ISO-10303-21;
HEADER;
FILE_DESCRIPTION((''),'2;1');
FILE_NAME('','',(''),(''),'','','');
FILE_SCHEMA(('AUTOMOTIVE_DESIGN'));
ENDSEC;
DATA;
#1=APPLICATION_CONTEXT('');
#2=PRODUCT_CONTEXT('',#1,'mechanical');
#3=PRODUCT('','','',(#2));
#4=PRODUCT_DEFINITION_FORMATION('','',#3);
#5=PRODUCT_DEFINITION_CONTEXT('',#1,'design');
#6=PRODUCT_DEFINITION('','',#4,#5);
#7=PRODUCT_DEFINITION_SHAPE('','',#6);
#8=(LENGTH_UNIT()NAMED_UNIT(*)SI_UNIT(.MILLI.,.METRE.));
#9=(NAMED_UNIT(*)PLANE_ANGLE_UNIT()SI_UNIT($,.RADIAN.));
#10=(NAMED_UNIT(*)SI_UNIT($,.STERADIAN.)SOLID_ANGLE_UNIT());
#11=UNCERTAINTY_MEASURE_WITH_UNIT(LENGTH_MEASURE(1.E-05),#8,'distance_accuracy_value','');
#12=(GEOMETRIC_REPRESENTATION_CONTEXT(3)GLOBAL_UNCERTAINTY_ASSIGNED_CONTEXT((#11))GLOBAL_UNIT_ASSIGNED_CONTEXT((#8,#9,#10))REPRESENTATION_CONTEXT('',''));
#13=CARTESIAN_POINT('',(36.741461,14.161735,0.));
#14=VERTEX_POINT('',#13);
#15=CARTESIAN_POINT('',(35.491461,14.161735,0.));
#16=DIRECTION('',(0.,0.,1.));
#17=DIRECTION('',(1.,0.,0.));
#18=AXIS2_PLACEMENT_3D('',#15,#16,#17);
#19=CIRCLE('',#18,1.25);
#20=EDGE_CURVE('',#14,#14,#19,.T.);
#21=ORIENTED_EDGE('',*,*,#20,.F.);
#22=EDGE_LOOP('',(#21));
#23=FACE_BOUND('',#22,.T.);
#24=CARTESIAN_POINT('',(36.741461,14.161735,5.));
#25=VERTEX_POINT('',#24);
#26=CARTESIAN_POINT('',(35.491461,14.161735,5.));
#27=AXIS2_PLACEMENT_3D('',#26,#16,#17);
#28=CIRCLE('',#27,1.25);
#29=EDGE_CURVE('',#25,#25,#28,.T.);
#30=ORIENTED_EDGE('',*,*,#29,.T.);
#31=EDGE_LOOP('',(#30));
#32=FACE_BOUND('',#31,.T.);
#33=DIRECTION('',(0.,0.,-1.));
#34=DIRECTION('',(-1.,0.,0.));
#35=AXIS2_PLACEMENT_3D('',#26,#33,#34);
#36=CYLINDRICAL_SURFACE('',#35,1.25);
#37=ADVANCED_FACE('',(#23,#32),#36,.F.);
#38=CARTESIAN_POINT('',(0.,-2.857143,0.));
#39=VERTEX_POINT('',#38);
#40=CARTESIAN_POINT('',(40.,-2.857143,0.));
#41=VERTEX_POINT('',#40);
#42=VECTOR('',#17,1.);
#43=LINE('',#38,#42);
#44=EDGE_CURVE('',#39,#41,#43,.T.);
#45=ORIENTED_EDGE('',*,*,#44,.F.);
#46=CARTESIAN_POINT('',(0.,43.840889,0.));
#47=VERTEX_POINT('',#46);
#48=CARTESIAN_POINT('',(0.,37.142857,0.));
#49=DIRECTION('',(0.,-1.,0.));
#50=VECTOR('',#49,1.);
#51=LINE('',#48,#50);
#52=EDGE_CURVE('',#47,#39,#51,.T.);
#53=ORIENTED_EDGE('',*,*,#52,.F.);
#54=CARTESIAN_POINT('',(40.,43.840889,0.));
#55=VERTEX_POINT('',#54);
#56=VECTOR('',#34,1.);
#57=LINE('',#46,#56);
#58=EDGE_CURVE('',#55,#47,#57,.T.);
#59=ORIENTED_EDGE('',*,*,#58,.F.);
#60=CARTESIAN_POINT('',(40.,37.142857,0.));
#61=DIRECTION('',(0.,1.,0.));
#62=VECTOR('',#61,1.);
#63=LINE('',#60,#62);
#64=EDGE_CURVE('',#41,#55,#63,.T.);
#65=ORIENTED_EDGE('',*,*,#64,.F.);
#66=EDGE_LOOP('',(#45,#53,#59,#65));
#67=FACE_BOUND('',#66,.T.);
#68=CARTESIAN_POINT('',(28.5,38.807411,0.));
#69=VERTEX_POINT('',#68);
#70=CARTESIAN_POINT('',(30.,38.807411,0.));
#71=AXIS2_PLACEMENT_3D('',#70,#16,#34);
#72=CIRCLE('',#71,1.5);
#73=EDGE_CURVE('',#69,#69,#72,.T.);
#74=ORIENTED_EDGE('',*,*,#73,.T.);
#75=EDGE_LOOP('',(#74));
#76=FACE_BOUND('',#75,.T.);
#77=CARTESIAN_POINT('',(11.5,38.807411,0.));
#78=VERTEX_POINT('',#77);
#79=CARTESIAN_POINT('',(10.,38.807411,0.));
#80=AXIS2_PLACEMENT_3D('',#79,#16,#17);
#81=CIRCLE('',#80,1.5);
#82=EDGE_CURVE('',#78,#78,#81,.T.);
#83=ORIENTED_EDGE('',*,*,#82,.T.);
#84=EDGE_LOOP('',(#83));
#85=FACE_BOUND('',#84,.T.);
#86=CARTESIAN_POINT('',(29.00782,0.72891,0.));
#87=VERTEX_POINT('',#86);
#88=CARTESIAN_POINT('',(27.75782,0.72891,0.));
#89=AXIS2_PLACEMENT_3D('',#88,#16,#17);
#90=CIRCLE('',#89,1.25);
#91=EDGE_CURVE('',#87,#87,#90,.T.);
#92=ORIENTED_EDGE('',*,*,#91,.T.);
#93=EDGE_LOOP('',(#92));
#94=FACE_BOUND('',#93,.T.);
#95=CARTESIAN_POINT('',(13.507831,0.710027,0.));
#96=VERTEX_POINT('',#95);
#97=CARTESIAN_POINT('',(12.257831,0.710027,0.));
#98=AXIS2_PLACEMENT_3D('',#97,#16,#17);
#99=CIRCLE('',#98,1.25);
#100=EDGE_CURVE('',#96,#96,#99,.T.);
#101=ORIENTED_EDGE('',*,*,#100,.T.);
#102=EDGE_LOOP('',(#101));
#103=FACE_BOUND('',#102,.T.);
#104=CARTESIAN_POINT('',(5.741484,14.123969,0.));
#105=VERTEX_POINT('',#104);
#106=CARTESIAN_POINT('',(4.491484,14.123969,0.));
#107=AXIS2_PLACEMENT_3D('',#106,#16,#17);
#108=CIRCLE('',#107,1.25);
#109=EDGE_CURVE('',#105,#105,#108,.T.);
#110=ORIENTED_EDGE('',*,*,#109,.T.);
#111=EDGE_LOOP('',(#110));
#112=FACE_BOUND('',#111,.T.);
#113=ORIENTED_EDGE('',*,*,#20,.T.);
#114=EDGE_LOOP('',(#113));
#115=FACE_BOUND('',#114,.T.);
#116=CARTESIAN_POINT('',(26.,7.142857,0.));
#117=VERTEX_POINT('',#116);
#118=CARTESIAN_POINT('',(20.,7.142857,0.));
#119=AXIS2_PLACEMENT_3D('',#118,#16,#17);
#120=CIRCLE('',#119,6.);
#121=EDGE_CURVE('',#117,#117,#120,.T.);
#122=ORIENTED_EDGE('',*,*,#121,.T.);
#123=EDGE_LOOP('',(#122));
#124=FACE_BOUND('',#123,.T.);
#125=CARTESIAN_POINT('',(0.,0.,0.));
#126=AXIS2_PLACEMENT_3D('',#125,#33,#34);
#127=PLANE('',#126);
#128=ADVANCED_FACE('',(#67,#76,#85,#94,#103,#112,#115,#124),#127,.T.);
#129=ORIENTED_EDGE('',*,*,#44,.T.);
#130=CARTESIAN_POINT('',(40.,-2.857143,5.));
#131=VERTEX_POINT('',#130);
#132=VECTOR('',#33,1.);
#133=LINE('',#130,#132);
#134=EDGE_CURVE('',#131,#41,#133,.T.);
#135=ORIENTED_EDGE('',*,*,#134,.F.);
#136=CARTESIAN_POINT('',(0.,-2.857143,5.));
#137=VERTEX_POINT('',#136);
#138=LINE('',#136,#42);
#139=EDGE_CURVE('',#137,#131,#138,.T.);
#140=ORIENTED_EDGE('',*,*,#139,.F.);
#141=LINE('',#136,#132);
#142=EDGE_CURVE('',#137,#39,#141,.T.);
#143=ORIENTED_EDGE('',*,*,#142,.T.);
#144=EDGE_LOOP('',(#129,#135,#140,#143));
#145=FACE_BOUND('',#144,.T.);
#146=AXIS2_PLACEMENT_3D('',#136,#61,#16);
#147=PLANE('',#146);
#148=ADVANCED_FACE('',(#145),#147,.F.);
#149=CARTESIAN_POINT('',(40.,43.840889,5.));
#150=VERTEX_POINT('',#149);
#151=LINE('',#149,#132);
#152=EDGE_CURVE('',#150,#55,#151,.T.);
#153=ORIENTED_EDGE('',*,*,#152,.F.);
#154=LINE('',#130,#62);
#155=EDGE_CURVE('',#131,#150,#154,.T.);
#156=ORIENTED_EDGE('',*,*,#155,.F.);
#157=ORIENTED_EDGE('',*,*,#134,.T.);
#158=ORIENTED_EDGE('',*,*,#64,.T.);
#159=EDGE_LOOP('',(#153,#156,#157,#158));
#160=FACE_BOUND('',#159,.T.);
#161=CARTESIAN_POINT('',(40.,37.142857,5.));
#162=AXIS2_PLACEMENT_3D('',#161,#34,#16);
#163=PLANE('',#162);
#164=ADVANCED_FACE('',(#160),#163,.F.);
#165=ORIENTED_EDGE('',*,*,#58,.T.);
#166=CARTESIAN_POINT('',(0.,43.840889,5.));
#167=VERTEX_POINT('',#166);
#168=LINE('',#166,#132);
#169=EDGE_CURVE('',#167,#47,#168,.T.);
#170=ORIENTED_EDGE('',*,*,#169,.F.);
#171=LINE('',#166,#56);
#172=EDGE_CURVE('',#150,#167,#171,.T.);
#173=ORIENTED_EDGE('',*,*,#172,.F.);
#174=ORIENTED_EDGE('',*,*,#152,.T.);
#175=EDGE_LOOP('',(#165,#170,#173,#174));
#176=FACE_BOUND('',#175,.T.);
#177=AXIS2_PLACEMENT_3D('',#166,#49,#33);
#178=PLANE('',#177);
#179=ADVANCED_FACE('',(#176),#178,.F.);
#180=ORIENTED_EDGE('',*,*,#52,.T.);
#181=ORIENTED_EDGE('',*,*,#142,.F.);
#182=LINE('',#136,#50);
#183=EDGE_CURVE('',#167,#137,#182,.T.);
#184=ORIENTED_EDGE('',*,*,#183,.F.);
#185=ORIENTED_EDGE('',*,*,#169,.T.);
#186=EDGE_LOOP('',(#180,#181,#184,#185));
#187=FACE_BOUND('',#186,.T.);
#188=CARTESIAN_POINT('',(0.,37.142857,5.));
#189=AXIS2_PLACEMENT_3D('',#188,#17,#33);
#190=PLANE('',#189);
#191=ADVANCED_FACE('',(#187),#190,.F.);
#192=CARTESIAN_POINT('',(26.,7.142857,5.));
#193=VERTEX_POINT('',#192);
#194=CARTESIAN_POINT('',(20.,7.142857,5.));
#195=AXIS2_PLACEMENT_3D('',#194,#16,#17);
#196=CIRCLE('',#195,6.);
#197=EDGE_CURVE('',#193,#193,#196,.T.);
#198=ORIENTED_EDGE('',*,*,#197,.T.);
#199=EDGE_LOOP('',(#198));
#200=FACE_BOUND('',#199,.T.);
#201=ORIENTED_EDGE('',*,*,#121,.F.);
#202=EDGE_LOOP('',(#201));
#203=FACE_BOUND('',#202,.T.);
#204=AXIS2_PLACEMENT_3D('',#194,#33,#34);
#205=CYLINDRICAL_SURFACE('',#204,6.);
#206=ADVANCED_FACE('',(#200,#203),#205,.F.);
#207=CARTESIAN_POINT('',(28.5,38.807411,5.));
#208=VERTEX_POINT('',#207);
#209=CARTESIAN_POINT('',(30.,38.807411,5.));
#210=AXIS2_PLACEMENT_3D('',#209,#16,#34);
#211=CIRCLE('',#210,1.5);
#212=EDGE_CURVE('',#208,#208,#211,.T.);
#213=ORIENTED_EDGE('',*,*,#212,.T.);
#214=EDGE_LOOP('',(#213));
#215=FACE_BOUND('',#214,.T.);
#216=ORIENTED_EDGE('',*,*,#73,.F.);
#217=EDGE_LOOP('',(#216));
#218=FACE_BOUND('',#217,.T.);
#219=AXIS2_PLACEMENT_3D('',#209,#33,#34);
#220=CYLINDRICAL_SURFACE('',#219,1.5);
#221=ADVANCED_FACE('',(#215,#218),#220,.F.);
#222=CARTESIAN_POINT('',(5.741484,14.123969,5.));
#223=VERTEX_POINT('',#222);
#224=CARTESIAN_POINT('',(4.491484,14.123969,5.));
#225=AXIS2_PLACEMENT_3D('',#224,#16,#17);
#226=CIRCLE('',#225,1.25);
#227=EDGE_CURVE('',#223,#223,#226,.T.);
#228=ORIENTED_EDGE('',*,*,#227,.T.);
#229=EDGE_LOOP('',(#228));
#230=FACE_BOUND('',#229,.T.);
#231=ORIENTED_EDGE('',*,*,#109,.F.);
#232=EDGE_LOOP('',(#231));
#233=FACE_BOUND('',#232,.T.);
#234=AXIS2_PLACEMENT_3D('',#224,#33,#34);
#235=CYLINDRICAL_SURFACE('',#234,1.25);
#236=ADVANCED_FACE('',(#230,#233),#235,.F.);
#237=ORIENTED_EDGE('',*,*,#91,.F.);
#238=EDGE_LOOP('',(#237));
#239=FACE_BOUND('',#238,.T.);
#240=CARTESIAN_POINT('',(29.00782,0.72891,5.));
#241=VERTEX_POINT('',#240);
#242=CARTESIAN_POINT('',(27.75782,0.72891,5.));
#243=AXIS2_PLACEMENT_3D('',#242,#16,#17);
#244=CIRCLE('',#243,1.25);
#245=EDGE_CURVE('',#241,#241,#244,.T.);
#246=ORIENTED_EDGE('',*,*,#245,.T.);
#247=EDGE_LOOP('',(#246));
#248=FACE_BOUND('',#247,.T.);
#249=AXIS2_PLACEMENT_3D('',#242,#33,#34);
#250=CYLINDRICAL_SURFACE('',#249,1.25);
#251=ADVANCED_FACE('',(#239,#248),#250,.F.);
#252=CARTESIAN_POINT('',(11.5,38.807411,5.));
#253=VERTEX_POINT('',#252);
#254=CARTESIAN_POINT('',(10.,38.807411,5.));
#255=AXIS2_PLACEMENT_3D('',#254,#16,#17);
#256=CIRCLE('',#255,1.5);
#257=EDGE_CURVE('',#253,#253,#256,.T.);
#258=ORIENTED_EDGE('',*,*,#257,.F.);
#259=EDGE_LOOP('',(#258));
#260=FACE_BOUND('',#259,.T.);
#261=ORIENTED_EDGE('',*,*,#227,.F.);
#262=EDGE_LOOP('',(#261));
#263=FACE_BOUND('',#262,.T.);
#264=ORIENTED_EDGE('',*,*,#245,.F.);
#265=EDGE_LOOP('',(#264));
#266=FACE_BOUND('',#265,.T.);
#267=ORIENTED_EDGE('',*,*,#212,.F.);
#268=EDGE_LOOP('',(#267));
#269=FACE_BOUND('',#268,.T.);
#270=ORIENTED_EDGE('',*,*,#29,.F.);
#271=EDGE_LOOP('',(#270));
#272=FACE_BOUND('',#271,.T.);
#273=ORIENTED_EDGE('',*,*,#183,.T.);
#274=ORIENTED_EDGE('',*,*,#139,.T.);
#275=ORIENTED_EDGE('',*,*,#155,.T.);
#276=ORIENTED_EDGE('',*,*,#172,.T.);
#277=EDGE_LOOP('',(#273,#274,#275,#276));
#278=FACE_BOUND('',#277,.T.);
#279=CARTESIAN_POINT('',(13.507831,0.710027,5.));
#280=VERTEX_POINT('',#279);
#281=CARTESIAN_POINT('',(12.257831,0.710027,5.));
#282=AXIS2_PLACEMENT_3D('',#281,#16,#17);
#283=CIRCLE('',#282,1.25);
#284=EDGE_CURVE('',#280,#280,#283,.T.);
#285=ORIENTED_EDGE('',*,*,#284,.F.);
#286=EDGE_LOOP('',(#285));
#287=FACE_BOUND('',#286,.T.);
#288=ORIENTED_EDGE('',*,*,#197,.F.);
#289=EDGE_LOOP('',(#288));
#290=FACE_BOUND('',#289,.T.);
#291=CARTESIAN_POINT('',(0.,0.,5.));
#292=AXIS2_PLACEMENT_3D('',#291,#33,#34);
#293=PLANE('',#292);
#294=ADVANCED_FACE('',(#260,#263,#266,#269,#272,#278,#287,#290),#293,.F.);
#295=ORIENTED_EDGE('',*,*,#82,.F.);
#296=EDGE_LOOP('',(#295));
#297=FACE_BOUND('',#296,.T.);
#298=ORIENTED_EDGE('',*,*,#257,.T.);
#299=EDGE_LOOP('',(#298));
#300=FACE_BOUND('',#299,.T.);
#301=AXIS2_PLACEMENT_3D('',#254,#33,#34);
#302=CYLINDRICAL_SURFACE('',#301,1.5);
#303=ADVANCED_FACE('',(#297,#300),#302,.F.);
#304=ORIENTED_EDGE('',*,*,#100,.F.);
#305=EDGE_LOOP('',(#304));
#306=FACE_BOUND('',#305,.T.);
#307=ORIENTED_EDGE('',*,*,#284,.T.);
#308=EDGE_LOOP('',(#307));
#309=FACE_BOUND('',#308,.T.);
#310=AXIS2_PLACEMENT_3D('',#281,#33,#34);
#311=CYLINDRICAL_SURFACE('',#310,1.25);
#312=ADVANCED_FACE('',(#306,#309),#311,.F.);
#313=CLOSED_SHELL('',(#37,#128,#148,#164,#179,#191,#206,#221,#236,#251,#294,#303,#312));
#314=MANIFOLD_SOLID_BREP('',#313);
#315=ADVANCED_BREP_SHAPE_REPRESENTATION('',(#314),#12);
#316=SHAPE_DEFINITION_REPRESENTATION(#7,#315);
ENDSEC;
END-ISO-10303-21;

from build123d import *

# Parameters (mm, degrees)
SKETCH1_R           = 6
SKETCH1_R_2         = 1.25
SKETCH1_R_3         = 1.5
BOSS_EXTRUDE1_DEPTH = 5


with BuildPart() as part:
    # Sketch1 → Boss-Extrude1 (new body)
    with BuildSketch(Plane.XY):
        Polygon((0, -2.857142857), (40, -2.857142857), (40, 37.142857143), (40, 43.840888812), (0, 43.840888812), (0, 37.142857143), align=None)
        with Locations((20, 7.142857143)):
            Circle(SKETCH1_R, mode=Mode.SUBTRACT)
        with Locations((4.491483608, 14.123968753)):
            Circle(SKETCH1_R_2, mode=Mode.SUBTRACT)
        with Locations((12.257831183, 0.710026553)):
            Circle(SKETCH1_R_2, mode=Mode.SUBTRACT)
        with Locations((27.757819681, 0.728909749)):
            Circle(SKETCH1_R_2, mode=Mode.SUBTRACT)
        with Locations((35.491460603, 14.161735143)):
            Circle(SKETCH1_R_2, mode=Mode.SUBTRACT)
        with Locations((10, 38.807411058)):
            Circle(SKETCH1_R_3, mode=Mode.SUBTRACT)
        with Locations(Location((30, 38.807411058, 0), (0, 0, 180))):
            Circle(SKETCH1_R_3, mode=Mode.SUBTRACT)
    extrude(amount=BOSS_EXTRUDE1_DEPTH)


solid = part.part
